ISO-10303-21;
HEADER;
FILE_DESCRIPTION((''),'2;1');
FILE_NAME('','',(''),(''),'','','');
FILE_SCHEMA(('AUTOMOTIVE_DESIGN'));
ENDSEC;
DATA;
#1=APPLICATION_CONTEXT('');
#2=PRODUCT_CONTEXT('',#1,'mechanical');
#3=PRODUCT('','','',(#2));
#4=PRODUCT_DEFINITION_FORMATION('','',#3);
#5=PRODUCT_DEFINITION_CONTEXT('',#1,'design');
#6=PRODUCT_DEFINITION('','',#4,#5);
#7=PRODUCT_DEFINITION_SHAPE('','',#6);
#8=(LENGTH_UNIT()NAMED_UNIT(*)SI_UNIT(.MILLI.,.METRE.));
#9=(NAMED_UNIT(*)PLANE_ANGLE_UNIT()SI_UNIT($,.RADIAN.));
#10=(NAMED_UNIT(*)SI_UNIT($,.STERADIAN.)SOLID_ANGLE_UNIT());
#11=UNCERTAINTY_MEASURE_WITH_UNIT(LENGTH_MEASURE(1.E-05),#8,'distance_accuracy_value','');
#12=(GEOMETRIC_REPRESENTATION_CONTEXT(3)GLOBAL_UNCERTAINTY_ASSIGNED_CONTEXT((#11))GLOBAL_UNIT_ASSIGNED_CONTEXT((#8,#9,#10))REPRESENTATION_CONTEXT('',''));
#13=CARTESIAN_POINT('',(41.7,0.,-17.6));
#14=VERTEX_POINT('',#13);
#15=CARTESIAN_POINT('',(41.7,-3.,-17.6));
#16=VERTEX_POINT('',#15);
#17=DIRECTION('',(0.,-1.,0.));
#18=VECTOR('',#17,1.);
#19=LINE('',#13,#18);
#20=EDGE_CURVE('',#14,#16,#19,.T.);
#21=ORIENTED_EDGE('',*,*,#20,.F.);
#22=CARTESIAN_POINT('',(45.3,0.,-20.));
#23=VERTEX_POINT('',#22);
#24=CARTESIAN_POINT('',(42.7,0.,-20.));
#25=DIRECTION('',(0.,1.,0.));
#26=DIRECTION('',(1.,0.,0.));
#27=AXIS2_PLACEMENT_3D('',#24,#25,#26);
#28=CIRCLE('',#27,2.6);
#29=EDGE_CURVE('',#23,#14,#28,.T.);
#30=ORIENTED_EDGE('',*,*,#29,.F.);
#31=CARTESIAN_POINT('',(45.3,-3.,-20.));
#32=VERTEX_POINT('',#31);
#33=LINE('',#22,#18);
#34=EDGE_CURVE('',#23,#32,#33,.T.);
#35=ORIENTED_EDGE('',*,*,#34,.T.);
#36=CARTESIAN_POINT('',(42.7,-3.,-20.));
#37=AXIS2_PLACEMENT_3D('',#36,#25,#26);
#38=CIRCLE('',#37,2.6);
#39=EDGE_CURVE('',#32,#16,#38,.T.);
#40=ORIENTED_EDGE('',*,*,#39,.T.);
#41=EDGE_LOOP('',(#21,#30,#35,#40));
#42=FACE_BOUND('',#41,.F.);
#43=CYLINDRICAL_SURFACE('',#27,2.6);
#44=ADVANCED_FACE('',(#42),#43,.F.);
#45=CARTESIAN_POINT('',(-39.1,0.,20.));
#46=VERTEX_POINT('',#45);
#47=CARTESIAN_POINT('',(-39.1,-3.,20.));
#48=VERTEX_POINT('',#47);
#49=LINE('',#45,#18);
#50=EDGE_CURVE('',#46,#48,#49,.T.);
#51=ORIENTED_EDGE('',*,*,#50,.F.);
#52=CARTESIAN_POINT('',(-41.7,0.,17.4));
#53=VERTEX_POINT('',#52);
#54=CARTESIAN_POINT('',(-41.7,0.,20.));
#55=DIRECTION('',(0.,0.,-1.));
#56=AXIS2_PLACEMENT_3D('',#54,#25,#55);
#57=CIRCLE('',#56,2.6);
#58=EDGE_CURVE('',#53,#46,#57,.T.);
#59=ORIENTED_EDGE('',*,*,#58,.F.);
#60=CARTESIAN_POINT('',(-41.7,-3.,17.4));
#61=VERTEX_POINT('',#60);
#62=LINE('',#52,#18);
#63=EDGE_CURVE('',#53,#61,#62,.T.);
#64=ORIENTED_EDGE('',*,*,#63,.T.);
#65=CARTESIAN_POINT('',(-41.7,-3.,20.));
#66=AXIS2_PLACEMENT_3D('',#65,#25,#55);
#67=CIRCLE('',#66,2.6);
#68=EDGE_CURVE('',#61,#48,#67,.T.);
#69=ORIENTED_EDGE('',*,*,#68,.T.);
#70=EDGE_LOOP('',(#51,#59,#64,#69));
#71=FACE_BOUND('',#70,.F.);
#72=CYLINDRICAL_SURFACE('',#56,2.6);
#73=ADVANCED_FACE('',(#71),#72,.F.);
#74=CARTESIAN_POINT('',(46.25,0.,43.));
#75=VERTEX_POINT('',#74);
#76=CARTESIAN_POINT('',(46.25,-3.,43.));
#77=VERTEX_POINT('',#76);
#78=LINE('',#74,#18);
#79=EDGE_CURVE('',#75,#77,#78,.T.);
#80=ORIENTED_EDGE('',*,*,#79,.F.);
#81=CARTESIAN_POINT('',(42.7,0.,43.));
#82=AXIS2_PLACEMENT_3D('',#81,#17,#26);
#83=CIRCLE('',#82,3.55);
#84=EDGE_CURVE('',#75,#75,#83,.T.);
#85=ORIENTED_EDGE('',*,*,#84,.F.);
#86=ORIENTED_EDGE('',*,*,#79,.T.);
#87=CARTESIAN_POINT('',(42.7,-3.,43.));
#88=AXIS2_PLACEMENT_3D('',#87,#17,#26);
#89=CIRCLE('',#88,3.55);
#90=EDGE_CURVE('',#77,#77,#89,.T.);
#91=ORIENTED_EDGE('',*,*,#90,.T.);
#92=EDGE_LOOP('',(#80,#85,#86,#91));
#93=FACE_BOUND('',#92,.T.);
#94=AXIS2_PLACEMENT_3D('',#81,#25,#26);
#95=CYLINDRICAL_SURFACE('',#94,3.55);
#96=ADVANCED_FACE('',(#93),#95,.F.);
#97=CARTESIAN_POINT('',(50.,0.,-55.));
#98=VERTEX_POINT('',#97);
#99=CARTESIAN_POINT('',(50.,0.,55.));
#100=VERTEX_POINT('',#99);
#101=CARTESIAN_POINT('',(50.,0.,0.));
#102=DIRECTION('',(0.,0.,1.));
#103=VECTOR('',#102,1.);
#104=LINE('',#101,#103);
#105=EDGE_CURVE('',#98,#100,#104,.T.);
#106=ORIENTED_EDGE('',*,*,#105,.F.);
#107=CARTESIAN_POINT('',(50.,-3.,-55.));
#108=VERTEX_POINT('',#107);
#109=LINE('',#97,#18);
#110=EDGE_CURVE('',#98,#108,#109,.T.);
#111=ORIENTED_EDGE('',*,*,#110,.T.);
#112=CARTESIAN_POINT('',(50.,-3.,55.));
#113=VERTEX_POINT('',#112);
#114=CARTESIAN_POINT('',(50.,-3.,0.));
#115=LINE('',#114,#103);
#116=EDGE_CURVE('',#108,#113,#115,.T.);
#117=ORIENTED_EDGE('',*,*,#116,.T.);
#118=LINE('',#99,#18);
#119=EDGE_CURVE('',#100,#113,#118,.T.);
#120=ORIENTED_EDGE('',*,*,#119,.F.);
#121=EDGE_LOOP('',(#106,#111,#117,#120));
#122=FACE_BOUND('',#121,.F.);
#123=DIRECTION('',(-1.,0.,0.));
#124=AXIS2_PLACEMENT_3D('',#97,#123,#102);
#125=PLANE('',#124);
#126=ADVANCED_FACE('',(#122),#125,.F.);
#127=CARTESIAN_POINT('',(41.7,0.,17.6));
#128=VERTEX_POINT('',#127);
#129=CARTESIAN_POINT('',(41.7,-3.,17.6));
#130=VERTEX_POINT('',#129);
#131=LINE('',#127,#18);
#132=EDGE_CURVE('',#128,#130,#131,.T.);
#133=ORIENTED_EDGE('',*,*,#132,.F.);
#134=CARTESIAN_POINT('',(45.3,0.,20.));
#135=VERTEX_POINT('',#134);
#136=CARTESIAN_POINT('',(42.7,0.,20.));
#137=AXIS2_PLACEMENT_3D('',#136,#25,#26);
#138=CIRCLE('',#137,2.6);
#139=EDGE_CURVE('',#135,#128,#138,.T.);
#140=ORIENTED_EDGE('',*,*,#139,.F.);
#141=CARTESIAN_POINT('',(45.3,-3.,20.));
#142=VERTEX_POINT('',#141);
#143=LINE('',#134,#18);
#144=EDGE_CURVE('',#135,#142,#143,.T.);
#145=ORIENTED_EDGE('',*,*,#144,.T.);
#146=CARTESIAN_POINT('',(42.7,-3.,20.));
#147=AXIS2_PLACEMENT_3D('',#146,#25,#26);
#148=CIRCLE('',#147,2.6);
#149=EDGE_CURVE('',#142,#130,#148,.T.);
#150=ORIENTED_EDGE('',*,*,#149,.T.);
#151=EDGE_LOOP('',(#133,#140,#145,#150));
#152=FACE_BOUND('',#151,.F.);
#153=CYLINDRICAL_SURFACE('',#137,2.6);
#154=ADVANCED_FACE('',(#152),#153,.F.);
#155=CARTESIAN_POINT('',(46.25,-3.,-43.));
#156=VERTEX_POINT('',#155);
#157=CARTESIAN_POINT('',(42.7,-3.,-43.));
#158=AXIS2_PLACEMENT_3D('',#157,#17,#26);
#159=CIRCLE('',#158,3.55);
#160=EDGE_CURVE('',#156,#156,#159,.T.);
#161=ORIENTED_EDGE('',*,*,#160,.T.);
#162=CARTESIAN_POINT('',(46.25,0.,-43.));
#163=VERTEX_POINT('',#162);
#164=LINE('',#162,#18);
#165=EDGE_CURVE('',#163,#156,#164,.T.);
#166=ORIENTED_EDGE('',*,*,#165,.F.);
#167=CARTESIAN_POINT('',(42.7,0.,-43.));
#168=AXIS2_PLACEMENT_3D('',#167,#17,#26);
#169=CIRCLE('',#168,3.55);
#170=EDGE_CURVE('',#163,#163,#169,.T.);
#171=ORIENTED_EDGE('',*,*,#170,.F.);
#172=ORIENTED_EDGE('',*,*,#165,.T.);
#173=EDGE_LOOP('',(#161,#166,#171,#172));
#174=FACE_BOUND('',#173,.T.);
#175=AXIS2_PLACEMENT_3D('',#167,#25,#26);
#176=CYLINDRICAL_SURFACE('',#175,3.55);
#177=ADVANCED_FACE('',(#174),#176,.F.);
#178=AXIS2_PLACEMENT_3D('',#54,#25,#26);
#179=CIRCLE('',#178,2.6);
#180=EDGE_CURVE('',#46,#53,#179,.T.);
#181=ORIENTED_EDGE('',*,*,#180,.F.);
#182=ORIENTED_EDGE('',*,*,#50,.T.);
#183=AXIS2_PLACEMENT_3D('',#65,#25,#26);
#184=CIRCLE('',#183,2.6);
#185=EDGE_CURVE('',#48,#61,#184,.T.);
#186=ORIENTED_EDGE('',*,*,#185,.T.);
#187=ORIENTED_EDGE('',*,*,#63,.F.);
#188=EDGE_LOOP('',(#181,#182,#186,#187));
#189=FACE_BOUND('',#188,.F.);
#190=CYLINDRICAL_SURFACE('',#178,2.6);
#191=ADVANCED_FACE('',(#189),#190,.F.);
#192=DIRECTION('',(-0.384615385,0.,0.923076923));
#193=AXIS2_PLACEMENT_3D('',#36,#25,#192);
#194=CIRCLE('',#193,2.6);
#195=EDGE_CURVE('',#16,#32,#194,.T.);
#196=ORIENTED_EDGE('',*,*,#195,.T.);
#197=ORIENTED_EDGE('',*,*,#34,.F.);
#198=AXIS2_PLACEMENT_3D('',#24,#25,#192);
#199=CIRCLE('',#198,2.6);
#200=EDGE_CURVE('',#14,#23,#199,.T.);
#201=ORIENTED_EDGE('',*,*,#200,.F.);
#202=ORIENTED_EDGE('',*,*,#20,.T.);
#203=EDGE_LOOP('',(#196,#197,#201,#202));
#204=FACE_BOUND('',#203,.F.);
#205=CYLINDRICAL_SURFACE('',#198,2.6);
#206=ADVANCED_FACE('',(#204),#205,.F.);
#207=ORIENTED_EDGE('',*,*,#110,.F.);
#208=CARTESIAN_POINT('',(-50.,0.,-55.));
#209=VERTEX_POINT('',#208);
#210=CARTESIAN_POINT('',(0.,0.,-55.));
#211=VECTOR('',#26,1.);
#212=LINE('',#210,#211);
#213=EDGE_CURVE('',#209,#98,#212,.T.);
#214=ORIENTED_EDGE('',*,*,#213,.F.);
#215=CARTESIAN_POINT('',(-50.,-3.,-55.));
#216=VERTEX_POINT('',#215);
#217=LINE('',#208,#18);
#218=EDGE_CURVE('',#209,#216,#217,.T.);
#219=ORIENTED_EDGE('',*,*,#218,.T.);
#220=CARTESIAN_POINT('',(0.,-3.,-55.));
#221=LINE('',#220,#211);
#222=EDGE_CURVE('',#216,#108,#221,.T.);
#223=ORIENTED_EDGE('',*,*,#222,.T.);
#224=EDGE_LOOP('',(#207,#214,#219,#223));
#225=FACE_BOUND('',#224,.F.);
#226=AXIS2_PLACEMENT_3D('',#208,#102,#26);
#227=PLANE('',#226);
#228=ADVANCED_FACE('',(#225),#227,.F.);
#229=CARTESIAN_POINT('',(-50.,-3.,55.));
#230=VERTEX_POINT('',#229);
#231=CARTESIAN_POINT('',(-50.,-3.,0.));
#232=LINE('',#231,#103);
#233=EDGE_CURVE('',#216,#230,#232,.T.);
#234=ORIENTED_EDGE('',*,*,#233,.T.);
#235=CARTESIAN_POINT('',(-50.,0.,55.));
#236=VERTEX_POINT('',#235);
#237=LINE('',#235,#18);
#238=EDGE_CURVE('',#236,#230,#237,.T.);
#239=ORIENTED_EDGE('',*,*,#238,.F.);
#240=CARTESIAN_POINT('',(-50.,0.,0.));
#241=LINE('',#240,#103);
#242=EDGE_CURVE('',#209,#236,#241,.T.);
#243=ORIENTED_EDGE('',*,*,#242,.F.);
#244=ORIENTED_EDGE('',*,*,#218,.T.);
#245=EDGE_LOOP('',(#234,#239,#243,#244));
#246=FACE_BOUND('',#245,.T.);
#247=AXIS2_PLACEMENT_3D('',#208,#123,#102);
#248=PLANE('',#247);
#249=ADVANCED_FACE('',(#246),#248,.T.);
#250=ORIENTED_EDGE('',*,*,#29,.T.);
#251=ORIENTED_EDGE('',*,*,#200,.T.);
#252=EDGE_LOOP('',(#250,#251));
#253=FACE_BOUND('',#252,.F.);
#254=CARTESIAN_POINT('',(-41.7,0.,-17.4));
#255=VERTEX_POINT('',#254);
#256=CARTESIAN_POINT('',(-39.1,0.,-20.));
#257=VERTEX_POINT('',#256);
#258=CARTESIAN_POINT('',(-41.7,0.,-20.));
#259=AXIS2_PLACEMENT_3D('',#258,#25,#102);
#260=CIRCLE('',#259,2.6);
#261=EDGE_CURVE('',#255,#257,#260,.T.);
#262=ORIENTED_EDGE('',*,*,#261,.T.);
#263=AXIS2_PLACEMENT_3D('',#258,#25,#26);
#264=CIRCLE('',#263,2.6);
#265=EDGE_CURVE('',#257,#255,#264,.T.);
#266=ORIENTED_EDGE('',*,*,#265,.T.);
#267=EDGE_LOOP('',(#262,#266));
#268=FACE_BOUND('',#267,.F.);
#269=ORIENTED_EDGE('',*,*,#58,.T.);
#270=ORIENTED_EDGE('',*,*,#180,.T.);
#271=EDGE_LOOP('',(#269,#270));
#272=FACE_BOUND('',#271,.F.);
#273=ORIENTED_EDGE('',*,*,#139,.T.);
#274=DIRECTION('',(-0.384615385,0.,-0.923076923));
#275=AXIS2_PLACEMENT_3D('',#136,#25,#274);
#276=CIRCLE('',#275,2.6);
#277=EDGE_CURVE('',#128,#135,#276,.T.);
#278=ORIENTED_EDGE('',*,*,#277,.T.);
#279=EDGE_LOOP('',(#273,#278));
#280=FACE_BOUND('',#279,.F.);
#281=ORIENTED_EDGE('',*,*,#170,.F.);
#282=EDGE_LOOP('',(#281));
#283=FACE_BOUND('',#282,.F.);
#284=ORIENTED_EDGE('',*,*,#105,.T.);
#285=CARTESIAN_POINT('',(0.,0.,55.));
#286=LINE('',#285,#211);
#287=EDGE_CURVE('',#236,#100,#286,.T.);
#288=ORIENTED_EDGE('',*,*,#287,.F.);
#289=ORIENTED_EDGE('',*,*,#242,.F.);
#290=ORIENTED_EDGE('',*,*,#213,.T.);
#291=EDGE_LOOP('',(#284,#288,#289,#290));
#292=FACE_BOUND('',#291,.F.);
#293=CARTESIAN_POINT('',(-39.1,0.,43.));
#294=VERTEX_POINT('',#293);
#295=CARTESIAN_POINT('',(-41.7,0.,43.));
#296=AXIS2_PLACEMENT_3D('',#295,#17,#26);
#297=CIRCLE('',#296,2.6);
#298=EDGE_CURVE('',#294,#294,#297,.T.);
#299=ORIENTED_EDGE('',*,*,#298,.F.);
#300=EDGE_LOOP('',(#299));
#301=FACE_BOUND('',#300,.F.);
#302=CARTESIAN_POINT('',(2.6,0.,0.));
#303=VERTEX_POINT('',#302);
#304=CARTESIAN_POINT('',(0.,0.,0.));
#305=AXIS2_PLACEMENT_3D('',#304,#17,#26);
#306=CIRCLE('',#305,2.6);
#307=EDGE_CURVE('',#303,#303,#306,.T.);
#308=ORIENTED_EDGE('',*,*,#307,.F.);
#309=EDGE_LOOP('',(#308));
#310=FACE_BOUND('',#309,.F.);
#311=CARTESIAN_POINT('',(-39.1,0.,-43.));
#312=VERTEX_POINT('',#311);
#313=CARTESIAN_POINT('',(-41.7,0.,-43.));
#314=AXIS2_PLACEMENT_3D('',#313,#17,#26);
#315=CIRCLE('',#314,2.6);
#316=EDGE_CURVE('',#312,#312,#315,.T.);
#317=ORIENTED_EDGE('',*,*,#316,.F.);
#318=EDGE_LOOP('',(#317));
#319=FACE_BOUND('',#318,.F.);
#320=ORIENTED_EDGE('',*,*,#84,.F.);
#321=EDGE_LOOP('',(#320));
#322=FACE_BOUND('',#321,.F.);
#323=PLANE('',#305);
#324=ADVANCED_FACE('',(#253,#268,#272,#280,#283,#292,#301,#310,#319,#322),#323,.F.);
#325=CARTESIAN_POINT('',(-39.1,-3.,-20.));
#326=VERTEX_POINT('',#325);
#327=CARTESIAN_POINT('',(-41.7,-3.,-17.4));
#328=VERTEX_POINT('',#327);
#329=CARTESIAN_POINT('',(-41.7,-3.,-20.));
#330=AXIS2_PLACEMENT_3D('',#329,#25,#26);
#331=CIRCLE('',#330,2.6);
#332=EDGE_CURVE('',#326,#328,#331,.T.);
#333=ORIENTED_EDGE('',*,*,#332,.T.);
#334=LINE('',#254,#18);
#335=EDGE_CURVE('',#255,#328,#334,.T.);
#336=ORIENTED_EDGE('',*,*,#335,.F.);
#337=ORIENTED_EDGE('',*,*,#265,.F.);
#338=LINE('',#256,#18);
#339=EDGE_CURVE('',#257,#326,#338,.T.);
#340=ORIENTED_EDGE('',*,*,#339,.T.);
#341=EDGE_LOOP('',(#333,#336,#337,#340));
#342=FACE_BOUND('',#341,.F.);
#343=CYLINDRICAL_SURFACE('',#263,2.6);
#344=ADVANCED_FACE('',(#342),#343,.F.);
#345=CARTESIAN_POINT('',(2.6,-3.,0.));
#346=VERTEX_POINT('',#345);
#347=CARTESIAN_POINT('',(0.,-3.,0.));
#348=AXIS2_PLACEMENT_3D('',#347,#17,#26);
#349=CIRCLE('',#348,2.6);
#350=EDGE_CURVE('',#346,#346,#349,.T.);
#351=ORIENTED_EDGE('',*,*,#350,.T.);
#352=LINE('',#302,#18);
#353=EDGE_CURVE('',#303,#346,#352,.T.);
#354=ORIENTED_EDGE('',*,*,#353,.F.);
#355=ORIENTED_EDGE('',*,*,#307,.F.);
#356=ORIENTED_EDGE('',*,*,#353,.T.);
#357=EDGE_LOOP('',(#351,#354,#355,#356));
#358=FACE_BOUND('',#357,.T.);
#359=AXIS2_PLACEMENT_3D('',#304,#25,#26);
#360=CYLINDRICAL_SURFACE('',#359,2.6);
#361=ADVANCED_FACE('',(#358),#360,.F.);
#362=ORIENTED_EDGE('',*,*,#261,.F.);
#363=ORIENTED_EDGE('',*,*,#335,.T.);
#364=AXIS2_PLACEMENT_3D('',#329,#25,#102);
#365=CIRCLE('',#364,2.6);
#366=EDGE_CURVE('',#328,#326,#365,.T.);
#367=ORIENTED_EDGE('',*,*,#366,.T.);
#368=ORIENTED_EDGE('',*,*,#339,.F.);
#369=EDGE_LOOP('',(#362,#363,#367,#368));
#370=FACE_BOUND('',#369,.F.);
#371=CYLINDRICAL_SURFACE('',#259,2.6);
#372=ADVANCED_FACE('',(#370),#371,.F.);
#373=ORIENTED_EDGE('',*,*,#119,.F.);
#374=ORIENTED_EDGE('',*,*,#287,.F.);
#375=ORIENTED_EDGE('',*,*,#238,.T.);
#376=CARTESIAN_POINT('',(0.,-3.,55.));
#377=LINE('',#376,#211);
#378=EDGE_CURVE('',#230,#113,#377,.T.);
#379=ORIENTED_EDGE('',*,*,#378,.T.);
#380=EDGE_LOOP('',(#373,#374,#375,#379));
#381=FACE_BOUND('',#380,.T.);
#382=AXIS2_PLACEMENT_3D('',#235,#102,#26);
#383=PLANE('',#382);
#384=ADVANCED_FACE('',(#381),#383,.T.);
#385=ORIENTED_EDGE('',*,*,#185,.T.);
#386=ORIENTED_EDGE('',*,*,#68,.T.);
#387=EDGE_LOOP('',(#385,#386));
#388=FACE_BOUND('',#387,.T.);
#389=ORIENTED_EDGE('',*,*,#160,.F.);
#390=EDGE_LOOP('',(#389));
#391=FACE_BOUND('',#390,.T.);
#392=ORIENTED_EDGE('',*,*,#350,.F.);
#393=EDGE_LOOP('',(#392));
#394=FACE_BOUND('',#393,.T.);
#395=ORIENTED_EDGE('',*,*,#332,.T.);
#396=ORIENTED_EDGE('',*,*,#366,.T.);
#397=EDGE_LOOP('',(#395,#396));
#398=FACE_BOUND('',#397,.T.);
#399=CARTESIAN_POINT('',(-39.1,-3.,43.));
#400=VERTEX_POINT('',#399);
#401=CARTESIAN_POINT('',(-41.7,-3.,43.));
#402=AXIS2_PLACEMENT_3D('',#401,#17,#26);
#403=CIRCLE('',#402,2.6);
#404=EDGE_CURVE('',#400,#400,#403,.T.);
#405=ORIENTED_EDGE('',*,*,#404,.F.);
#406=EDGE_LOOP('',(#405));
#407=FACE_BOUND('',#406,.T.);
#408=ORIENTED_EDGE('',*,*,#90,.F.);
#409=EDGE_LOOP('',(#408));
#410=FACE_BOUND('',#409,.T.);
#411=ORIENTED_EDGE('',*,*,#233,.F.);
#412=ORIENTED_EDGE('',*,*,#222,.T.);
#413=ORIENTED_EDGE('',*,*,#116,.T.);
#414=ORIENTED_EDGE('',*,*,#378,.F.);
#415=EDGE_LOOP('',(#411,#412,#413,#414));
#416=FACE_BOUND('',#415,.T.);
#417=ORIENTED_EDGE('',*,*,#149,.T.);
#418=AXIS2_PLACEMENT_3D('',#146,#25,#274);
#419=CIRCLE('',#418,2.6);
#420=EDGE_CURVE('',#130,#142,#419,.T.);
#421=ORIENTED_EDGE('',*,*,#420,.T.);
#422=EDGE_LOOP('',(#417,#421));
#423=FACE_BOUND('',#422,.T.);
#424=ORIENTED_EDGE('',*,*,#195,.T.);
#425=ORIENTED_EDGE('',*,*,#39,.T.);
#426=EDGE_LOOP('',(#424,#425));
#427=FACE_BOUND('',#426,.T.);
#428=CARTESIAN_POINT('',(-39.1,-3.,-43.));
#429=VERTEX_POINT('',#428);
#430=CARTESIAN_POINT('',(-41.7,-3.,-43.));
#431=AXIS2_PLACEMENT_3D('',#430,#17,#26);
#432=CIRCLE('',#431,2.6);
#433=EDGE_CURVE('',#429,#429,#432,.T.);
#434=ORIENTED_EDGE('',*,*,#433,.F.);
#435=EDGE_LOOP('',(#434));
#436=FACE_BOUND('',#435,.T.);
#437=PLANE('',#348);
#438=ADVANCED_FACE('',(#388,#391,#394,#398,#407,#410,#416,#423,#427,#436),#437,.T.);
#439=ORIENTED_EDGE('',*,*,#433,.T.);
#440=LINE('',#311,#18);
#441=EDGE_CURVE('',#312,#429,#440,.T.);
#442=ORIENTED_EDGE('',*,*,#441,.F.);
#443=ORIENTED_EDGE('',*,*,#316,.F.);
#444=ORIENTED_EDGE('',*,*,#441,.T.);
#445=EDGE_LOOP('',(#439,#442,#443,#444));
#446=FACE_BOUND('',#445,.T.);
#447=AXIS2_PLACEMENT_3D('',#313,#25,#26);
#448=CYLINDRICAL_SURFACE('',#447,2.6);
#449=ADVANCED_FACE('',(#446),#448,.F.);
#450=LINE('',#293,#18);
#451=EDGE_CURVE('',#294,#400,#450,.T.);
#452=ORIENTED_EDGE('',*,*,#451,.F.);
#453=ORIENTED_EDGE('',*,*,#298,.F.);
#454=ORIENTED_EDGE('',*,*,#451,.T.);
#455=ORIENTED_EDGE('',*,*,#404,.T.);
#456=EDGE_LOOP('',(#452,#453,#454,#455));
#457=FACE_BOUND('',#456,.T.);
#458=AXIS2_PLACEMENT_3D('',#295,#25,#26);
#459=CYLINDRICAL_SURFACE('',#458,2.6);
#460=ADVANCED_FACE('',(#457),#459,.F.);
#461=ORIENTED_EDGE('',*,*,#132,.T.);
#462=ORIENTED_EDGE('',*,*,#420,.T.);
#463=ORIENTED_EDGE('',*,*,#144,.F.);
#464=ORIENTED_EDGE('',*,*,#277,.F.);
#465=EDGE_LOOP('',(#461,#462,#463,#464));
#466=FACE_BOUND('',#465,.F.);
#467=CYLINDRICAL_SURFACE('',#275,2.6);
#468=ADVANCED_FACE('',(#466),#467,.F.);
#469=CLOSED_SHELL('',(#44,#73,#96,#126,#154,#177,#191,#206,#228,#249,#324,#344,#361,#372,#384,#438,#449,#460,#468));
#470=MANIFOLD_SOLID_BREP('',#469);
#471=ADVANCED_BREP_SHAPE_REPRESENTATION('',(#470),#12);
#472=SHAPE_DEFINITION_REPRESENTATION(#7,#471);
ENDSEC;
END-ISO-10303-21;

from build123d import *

# Parameters (mm, degrees)
F0_W     = 100
F0_H     = 110
F0_R     = 2.6
F0_R_2   = 3.55
F1_DEPTH = 3


with BuildPart() as f1:
    # F0 (on Front) → F1 (new body)
    with BuildSketch(Plane.XZ):
        Rectangle(F0_W, F0_H)
        with Locations((-41.7, -43)):
            Circle(F0_R, mode=Mode.SUBTRACT)
        with BuildLine():
            ThreePointArc((-39.1, -20), (-43.5384776311, -21.8384776311), (-41.7, -17.4))
            ThreePointArc((-41.7, -17.4), (-39.8615223689, -18.1615223689), (-39.1, -20))
        make_face(mode=Mode.SUBTRACT)
        with Locations((42.7, -43)):
            Circle(F0_R_2, mode=Mode.SUBTRACT)
        with BuildLine():
            ThreePointArc((45.3, -20), (41.2577794898, -22.1633307653), (41.7, -17.6))
            ThreePointArc((41.7, -17.6), (44.1422205102, -17.8366692347), (45.3, -20))
        make_face(mode=Mode.SUBTRACT)
        with BuildLine():
            ThreePointArc((-39.1, 20), (-39.8615223689, 18.1615223689), (-41.7, 17.4))
            ThreePointArc((-41.7, 17.4), (-43.5384776311, 21.8384776311), (-39.1, 20))
        make_face(mode=Mode.SUBTRACT)
        with Locations((-41.7, 43)):
            Circle(F0_R, mode=Mode.SUBTRACT)
        Circle(F0_R, mode=Mode.SUBTRACT)
        with BuildLine():
            ThreePointArc((45.3, 20), (44.1422205102, 17.8366692347), (41.7, 17.6))
            ThreePointArc((41.7, 17.6), (41.2577794898, 22.1633307653), (45.3, 20))
        make_face(mode=Mode.SUBTRACT)
        with Locations((42.7, 43)):
            Circle(F0_R_2, mode=Mode.SUBTRACT)
    extrude(amount=F1_DEPTH)


solid = f1.part
